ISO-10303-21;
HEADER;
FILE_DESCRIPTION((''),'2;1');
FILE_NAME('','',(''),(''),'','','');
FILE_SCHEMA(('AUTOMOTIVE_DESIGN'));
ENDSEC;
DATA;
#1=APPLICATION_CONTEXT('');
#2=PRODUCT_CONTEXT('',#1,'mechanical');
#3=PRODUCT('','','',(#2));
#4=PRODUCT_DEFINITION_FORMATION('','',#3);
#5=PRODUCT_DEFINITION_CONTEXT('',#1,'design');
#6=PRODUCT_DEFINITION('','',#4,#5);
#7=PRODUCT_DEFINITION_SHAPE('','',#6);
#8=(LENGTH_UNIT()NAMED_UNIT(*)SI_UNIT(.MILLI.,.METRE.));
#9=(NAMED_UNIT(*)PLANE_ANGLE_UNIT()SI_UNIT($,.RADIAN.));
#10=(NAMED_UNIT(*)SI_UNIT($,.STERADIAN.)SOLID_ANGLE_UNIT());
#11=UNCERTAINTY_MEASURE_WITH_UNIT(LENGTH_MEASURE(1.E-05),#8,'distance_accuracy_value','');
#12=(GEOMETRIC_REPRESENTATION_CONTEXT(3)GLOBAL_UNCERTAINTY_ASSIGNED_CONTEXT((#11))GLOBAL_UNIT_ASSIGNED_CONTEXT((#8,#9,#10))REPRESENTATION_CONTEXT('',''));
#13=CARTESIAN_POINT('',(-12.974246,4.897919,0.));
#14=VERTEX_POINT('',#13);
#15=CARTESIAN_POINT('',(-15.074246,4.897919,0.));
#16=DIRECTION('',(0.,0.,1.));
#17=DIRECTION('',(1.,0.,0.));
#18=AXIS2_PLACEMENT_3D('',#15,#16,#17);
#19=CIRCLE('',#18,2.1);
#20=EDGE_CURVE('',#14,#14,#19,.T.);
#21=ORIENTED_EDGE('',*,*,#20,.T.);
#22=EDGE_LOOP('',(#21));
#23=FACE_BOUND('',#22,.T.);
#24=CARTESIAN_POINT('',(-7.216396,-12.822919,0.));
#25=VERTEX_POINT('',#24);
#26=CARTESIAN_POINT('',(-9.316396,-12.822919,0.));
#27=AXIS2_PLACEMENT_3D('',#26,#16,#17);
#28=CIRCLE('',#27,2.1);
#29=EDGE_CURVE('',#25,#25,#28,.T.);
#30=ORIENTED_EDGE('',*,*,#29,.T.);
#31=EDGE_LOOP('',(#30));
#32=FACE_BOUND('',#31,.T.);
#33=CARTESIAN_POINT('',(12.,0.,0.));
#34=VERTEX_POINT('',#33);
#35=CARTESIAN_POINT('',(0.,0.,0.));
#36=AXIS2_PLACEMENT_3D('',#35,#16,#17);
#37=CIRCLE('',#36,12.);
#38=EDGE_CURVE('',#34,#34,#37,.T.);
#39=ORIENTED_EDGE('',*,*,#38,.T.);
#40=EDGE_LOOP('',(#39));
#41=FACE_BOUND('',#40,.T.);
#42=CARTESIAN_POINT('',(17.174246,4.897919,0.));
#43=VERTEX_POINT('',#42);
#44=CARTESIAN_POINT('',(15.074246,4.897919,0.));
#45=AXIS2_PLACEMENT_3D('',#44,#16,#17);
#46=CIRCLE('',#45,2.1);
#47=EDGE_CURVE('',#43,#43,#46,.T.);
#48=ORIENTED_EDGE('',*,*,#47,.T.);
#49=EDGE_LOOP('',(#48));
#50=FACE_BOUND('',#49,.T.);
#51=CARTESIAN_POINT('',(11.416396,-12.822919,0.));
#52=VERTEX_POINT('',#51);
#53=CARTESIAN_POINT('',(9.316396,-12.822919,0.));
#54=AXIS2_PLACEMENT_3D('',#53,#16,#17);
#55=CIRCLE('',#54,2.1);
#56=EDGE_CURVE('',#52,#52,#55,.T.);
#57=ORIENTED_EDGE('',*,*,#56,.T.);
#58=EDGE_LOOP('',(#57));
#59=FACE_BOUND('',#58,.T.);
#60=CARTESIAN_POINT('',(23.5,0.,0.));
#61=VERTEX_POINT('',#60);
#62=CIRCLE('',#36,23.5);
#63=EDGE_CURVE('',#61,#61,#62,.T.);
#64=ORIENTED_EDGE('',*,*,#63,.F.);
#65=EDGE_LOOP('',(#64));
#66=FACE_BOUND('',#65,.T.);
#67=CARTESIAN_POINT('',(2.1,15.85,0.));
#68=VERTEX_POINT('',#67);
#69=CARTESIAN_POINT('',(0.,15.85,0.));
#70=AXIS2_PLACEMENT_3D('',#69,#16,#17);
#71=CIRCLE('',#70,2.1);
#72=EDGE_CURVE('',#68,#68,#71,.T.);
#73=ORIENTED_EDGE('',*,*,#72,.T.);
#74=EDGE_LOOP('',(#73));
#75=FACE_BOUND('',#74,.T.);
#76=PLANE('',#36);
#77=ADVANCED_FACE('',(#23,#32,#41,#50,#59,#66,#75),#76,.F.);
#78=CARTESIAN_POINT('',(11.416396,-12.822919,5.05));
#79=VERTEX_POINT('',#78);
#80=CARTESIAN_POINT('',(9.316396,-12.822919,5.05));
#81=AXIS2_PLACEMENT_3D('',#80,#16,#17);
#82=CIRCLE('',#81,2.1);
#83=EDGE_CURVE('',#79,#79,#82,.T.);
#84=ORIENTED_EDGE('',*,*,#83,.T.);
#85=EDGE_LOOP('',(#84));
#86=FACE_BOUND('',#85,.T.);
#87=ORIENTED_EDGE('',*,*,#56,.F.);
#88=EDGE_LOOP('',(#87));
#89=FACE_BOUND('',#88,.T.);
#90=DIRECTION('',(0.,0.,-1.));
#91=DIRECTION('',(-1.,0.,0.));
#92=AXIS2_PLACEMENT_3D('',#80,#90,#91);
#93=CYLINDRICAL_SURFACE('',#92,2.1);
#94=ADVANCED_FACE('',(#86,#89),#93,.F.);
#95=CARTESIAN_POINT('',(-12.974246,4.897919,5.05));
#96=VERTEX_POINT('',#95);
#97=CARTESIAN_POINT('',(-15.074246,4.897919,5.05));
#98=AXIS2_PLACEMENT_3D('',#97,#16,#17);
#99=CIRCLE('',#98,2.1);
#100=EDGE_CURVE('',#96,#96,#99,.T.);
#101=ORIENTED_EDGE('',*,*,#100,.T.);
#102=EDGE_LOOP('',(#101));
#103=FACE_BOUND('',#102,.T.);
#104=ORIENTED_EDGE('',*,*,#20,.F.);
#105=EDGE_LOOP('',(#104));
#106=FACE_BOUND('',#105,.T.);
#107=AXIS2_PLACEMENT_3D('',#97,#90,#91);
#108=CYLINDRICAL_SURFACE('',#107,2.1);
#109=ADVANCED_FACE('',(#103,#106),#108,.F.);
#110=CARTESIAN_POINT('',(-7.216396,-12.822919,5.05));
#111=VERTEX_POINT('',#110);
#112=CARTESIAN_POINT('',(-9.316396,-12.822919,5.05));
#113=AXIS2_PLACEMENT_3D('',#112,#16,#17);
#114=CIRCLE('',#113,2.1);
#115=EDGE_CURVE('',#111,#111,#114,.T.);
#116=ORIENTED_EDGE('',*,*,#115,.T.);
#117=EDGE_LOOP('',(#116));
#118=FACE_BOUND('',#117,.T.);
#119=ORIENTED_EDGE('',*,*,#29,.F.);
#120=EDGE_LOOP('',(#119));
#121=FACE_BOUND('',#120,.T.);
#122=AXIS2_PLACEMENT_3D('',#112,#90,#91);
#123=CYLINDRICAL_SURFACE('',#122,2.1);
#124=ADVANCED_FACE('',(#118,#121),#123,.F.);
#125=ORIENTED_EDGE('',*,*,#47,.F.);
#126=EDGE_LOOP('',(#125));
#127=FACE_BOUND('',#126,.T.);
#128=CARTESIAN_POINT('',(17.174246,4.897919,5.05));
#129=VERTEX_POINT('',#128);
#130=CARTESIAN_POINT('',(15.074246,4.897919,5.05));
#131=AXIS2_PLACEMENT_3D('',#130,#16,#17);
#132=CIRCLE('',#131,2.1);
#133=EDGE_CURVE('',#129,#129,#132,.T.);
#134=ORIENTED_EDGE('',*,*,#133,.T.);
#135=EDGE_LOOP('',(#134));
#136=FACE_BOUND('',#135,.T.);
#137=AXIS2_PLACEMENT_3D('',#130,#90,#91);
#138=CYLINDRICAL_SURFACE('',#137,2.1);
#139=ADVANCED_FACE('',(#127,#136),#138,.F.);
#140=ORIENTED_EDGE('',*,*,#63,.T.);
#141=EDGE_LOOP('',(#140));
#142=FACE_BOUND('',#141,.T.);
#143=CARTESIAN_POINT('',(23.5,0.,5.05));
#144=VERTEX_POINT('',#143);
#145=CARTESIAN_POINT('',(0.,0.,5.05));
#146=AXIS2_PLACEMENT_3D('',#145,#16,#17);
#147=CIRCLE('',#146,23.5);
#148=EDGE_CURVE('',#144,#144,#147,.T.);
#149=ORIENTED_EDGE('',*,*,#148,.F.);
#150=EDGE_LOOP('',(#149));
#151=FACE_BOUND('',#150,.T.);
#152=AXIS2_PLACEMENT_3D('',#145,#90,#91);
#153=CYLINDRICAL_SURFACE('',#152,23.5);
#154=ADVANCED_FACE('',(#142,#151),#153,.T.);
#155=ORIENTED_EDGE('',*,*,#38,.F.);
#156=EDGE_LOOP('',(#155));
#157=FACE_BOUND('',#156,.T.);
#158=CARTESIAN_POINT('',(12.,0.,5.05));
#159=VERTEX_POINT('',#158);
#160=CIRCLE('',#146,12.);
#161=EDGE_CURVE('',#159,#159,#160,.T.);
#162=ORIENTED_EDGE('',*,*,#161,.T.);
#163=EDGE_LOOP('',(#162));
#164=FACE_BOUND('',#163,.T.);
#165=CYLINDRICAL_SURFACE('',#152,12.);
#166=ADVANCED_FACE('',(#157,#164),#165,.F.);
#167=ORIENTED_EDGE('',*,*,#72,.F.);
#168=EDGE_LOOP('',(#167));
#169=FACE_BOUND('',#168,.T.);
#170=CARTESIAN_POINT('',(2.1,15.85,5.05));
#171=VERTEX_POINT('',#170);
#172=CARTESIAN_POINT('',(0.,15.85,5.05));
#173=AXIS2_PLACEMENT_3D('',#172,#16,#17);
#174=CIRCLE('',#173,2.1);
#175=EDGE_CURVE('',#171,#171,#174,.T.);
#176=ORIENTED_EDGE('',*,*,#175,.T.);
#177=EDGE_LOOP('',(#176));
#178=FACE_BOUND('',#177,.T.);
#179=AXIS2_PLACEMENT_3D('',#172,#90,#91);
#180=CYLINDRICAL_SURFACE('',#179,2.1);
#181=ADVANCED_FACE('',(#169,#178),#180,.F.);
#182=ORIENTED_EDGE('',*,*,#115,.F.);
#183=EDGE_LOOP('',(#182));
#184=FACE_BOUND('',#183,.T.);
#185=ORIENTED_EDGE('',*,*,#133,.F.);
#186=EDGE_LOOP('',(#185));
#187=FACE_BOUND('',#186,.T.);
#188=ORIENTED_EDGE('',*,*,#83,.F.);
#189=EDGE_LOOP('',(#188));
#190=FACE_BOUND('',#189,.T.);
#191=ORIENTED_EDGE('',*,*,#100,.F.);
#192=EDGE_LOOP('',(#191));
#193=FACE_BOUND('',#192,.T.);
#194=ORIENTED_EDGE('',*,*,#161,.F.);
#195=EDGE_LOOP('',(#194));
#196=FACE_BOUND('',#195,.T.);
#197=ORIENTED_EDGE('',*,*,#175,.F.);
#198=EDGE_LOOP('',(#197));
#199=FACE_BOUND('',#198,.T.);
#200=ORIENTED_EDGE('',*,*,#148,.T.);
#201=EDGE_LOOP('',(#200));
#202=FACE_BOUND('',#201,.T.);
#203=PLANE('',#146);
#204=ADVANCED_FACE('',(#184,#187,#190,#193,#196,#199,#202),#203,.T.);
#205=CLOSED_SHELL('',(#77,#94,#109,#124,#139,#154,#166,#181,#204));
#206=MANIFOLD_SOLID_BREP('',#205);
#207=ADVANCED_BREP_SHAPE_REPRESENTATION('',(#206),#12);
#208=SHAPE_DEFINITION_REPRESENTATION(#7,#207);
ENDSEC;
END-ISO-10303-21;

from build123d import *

# Parameters (mm, degrees)
SKETCH1_R           = 23.5
SKETCH1_R_2         = 2.1
SKETCH1_R_3         = 12
BOSS_EXTRUDE1_DEPTH = 5.05


with BuildPart() as part:
    # Sketch1 → Boss-Extrude1 (new body)
    with BuildSketch(Plane.XY):
        Circle(SKETCH1_R)
        with Locations((0, 15.85)):
            Circle(SKETCH1_R_2, mode=Mode.SUBTRACT)
        with Locations((15.074245783, 4.897919361)):
            Circle(SKETCH1_R_2, mode=Mode.SUBTRACT)
        with Locations((9.316396249, -12.822919361)):
            Circle(SKETCH1_R_2, mode=Mode.SUBTRACT)
        Circle(SKETCH1_R_3, mode=Mode.SUBTRACT)
        with Locations((-9.316396249, -12.822919361)):
            Circle(SKETCH1_R_2, mode=Mode.SUBTRACT)
        with Locations((-15.074245783, 4.897919361)):
            Circle(SKETCH1_R_2, mode=Mode.SUBTRACT)
    extrude(amount=BOSS_EXTRUDE1_DEPTH)


solid = part.part
